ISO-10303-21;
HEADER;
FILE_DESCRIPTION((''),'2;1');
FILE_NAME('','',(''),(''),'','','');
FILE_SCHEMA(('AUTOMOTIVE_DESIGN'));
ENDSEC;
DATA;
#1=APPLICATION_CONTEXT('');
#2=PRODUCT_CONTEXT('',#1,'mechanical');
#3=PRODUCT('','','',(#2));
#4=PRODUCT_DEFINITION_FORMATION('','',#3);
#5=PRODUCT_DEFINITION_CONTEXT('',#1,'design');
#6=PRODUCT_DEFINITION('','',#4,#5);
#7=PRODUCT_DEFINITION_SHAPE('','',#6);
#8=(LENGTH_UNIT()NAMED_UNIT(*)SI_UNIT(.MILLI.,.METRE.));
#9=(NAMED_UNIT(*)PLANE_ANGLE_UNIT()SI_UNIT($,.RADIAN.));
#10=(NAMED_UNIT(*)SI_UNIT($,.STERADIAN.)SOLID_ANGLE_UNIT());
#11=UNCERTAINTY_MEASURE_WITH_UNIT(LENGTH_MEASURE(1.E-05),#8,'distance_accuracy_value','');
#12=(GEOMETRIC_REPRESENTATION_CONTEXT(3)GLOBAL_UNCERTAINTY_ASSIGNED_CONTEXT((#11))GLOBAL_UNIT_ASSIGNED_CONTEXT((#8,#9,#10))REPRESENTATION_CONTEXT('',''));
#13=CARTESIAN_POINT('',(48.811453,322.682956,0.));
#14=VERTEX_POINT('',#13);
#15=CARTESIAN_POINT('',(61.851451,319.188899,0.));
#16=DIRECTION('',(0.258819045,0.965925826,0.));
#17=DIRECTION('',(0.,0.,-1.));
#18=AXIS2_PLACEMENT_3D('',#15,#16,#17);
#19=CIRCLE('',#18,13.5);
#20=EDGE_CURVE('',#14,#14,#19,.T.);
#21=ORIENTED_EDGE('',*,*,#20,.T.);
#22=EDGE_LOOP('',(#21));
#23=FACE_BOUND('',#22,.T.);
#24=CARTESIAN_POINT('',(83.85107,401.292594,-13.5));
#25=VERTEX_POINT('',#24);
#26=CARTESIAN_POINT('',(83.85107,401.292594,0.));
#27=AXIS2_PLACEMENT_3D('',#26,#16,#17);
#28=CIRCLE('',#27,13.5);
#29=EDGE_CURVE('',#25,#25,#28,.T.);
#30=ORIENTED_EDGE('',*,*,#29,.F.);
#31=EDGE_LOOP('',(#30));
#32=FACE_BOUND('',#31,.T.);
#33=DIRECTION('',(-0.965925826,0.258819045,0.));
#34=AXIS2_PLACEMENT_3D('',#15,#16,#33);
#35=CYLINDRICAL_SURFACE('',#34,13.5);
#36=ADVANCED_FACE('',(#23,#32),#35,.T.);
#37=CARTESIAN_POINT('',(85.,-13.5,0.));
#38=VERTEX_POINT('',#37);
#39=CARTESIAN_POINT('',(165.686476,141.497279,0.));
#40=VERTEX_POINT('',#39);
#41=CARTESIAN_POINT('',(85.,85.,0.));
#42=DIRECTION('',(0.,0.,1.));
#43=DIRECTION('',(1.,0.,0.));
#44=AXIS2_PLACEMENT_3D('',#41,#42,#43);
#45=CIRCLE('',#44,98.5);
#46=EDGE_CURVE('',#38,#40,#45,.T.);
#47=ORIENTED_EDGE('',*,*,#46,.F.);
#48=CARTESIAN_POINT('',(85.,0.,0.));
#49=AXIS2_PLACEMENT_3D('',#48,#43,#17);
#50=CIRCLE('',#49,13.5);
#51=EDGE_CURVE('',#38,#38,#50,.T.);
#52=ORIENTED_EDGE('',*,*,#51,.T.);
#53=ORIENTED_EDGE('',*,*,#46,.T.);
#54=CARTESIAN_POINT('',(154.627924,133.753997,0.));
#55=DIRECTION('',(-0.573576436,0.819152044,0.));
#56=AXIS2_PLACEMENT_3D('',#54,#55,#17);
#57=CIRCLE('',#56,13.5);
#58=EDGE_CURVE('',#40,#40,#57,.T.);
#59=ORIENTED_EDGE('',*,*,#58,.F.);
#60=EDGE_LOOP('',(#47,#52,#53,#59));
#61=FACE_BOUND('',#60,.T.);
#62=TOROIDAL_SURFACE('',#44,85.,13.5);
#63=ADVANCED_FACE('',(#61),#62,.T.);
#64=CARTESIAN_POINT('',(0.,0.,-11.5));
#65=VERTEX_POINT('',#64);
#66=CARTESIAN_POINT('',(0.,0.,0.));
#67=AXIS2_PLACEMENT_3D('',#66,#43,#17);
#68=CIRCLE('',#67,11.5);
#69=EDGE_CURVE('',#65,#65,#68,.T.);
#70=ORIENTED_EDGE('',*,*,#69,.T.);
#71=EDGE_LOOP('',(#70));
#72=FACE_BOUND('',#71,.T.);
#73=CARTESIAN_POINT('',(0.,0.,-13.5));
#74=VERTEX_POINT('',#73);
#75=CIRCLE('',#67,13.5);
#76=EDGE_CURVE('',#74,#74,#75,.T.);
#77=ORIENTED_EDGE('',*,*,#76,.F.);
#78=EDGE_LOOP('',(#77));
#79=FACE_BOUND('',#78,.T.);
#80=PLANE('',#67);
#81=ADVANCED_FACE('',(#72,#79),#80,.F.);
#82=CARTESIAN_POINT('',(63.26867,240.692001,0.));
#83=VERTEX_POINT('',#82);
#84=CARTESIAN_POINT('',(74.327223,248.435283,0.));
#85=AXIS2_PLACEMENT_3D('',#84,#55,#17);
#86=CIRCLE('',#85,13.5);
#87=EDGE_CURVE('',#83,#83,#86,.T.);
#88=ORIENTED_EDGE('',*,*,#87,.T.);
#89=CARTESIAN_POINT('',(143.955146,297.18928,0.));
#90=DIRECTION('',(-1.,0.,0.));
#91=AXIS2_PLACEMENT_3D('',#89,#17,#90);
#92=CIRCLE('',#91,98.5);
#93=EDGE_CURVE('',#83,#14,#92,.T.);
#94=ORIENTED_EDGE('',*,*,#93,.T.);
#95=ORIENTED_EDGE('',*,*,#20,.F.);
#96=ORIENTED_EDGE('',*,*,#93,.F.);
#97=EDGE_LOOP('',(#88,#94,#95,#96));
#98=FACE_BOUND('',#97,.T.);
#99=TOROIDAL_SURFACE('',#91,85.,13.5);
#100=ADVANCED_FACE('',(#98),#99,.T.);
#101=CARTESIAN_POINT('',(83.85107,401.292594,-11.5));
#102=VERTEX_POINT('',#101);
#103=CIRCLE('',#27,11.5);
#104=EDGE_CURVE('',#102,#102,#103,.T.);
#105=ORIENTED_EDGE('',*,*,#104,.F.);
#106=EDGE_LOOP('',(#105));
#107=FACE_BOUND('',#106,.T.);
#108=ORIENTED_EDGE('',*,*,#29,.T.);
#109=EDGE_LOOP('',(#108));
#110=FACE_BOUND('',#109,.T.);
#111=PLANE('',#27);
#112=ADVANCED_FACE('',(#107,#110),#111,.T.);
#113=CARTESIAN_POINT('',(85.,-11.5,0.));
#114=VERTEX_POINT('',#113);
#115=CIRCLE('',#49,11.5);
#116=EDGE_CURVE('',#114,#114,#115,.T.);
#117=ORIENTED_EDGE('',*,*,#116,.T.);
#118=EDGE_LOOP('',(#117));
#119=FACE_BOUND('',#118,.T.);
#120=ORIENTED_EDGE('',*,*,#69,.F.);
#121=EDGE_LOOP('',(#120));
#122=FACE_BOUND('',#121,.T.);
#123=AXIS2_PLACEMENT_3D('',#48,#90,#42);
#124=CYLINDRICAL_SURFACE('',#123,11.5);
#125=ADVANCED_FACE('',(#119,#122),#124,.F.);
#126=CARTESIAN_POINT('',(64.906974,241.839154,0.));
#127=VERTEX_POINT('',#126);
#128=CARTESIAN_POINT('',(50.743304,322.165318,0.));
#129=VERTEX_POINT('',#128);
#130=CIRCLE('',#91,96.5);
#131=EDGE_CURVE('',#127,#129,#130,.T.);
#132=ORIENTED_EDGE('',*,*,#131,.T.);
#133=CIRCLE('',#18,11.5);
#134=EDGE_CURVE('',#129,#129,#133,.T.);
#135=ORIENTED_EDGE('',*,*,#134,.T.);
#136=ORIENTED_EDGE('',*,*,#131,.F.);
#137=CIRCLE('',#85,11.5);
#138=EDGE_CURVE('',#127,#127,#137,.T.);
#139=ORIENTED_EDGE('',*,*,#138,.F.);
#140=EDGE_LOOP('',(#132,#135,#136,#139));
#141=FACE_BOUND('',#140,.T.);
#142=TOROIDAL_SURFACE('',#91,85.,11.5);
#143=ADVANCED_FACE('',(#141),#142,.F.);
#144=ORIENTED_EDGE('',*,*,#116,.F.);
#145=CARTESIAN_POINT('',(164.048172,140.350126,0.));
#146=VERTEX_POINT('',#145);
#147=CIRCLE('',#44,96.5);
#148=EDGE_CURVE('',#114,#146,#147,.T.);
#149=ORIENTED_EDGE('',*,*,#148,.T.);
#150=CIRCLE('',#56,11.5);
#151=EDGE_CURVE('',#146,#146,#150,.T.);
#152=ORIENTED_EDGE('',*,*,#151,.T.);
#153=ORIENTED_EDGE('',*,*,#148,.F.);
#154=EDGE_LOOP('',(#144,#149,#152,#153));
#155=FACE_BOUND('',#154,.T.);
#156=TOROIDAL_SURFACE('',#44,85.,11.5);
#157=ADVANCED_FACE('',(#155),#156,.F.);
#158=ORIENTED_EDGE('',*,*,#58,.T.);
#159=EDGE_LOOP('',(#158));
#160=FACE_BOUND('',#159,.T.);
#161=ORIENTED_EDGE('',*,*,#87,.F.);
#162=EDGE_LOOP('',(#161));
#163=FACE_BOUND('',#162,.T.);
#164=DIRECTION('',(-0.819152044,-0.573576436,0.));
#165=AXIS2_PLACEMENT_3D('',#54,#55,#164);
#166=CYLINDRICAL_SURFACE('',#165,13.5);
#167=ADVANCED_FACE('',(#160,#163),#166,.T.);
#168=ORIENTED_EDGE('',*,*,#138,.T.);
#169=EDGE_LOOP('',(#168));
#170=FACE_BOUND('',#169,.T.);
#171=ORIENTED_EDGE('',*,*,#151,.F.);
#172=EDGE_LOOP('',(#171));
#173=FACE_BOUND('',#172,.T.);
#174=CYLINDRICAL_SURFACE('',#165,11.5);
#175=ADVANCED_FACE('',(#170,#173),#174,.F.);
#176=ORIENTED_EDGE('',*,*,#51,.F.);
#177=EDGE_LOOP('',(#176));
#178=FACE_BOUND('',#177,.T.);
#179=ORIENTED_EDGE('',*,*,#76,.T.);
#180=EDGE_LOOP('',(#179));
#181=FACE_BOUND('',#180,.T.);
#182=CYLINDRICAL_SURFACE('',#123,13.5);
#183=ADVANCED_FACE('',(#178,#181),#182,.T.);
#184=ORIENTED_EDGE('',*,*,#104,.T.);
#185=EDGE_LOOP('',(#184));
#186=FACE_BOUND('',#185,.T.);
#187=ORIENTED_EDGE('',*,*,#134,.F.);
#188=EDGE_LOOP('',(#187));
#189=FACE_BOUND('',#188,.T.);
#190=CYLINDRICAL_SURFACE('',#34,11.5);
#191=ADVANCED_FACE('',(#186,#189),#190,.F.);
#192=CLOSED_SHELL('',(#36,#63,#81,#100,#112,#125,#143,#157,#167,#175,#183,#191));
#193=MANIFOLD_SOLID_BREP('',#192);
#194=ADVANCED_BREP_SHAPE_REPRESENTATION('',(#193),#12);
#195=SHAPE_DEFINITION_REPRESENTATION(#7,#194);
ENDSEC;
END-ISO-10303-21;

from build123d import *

# Parameters (mm, degrees)
ESQUISSE2_R   = 13.5
ESQUISSE2_R_2 = 11.5


with BuildPart() as part:
    # Balayage1: sweep along a path in Esquisse1
    with BuildLine(Plane.XY) as balayage1_path:
        Line((0, 0), (85, 0))
        ThreePointArc((85, 0), (160.39592082, 45.751367875), (154.627923765, 133.75399709))
        Line((154.627923765, 133.75399709), (74.327222675, 248.43528329))
        ThreePointArc((74.327222675, 248.43528329), (60.246487434, 282.429185278), (61.851451205, 319.188899214))
        Line((61.851451205, 319.188899214), (83.851070039, 401.292594448))
    # Esquisse2 → Balayage1 (sweep)
    with BuildSketch(Plane(origin=(0, 0, 0), x_dir=(0, 0, -1), z_dir=(1, 0, 0))):
        Circle(ESQUISSE2_R)
        Circle(ESQUISSE2_R_2, mode=Mode.SUBTRACT)
    sweep(path=balayage1_path.line)


solid = part.part
